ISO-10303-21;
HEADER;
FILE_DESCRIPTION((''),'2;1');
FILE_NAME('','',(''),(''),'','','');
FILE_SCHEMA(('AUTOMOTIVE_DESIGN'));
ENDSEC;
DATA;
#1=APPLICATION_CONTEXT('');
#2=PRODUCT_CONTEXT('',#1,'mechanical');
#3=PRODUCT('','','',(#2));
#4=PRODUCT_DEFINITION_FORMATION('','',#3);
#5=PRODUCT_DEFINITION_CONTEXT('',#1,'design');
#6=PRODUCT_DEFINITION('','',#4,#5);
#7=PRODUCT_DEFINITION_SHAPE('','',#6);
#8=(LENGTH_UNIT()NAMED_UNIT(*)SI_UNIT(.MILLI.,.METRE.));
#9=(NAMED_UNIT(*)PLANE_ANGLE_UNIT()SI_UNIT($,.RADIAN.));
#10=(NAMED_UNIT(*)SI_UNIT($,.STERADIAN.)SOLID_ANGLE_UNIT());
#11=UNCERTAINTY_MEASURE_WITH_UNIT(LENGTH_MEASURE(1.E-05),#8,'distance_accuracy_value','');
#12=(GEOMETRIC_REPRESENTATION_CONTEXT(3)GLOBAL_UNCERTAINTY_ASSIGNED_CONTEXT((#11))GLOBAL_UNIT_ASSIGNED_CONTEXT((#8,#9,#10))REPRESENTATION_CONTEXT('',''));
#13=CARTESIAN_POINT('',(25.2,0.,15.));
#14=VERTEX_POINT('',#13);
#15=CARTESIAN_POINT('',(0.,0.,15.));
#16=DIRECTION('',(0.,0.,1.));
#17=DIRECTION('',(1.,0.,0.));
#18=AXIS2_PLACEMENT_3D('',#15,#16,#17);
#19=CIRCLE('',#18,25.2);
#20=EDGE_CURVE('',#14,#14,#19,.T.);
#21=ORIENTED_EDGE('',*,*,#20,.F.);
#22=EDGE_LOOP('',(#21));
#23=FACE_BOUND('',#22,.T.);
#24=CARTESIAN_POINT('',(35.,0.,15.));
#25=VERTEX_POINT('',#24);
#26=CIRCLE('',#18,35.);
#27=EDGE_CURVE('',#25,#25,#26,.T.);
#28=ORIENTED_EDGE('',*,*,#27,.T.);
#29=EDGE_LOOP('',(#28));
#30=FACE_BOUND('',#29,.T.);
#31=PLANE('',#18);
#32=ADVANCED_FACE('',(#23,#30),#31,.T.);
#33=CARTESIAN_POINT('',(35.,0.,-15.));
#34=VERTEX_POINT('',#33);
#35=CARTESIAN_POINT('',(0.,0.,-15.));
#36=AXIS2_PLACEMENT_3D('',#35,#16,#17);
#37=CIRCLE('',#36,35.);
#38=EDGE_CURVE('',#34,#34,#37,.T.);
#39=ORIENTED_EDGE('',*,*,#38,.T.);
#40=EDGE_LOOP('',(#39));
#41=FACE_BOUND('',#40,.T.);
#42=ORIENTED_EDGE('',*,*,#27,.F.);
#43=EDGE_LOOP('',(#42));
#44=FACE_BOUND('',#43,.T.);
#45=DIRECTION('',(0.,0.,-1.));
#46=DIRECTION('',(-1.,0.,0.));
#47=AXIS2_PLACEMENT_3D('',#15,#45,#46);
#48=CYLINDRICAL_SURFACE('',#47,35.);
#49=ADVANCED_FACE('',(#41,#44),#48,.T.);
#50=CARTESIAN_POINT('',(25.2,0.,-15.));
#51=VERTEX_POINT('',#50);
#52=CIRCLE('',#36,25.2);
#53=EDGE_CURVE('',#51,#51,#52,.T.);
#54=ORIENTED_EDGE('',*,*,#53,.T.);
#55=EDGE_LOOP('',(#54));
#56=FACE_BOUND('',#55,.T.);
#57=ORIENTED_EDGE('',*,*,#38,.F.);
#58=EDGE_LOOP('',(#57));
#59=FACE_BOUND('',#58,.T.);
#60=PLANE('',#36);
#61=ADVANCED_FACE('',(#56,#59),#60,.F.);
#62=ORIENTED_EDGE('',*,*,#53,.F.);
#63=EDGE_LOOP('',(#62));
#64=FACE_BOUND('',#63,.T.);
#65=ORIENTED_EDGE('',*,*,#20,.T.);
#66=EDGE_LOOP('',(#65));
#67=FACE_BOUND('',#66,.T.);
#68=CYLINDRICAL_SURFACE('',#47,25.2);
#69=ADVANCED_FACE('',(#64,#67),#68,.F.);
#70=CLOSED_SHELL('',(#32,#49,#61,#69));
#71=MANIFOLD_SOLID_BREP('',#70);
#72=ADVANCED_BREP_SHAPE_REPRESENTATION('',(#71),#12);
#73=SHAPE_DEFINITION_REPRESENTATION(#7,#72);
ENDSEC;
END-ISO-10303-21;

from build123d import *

# Parameters (mm, degrees)
SKETCH_1_R      = 35
SKETCH_1_R_2    = 25.2
EXTRUDE_1_DEPTH = 15


with BuildPart() as part:
    # 草图1 → 凸台-拉伸1 (new, symmetric)
    with BuildSketch(Plane.XY):
        Circle(SKETCH_1_R)
        Circle(SKETCH_1_R_2, mode=Mode.SUBTRACT)
    extrude(amount=EXTRUDE_1_DEPTH, both=True)


solid = part.part
